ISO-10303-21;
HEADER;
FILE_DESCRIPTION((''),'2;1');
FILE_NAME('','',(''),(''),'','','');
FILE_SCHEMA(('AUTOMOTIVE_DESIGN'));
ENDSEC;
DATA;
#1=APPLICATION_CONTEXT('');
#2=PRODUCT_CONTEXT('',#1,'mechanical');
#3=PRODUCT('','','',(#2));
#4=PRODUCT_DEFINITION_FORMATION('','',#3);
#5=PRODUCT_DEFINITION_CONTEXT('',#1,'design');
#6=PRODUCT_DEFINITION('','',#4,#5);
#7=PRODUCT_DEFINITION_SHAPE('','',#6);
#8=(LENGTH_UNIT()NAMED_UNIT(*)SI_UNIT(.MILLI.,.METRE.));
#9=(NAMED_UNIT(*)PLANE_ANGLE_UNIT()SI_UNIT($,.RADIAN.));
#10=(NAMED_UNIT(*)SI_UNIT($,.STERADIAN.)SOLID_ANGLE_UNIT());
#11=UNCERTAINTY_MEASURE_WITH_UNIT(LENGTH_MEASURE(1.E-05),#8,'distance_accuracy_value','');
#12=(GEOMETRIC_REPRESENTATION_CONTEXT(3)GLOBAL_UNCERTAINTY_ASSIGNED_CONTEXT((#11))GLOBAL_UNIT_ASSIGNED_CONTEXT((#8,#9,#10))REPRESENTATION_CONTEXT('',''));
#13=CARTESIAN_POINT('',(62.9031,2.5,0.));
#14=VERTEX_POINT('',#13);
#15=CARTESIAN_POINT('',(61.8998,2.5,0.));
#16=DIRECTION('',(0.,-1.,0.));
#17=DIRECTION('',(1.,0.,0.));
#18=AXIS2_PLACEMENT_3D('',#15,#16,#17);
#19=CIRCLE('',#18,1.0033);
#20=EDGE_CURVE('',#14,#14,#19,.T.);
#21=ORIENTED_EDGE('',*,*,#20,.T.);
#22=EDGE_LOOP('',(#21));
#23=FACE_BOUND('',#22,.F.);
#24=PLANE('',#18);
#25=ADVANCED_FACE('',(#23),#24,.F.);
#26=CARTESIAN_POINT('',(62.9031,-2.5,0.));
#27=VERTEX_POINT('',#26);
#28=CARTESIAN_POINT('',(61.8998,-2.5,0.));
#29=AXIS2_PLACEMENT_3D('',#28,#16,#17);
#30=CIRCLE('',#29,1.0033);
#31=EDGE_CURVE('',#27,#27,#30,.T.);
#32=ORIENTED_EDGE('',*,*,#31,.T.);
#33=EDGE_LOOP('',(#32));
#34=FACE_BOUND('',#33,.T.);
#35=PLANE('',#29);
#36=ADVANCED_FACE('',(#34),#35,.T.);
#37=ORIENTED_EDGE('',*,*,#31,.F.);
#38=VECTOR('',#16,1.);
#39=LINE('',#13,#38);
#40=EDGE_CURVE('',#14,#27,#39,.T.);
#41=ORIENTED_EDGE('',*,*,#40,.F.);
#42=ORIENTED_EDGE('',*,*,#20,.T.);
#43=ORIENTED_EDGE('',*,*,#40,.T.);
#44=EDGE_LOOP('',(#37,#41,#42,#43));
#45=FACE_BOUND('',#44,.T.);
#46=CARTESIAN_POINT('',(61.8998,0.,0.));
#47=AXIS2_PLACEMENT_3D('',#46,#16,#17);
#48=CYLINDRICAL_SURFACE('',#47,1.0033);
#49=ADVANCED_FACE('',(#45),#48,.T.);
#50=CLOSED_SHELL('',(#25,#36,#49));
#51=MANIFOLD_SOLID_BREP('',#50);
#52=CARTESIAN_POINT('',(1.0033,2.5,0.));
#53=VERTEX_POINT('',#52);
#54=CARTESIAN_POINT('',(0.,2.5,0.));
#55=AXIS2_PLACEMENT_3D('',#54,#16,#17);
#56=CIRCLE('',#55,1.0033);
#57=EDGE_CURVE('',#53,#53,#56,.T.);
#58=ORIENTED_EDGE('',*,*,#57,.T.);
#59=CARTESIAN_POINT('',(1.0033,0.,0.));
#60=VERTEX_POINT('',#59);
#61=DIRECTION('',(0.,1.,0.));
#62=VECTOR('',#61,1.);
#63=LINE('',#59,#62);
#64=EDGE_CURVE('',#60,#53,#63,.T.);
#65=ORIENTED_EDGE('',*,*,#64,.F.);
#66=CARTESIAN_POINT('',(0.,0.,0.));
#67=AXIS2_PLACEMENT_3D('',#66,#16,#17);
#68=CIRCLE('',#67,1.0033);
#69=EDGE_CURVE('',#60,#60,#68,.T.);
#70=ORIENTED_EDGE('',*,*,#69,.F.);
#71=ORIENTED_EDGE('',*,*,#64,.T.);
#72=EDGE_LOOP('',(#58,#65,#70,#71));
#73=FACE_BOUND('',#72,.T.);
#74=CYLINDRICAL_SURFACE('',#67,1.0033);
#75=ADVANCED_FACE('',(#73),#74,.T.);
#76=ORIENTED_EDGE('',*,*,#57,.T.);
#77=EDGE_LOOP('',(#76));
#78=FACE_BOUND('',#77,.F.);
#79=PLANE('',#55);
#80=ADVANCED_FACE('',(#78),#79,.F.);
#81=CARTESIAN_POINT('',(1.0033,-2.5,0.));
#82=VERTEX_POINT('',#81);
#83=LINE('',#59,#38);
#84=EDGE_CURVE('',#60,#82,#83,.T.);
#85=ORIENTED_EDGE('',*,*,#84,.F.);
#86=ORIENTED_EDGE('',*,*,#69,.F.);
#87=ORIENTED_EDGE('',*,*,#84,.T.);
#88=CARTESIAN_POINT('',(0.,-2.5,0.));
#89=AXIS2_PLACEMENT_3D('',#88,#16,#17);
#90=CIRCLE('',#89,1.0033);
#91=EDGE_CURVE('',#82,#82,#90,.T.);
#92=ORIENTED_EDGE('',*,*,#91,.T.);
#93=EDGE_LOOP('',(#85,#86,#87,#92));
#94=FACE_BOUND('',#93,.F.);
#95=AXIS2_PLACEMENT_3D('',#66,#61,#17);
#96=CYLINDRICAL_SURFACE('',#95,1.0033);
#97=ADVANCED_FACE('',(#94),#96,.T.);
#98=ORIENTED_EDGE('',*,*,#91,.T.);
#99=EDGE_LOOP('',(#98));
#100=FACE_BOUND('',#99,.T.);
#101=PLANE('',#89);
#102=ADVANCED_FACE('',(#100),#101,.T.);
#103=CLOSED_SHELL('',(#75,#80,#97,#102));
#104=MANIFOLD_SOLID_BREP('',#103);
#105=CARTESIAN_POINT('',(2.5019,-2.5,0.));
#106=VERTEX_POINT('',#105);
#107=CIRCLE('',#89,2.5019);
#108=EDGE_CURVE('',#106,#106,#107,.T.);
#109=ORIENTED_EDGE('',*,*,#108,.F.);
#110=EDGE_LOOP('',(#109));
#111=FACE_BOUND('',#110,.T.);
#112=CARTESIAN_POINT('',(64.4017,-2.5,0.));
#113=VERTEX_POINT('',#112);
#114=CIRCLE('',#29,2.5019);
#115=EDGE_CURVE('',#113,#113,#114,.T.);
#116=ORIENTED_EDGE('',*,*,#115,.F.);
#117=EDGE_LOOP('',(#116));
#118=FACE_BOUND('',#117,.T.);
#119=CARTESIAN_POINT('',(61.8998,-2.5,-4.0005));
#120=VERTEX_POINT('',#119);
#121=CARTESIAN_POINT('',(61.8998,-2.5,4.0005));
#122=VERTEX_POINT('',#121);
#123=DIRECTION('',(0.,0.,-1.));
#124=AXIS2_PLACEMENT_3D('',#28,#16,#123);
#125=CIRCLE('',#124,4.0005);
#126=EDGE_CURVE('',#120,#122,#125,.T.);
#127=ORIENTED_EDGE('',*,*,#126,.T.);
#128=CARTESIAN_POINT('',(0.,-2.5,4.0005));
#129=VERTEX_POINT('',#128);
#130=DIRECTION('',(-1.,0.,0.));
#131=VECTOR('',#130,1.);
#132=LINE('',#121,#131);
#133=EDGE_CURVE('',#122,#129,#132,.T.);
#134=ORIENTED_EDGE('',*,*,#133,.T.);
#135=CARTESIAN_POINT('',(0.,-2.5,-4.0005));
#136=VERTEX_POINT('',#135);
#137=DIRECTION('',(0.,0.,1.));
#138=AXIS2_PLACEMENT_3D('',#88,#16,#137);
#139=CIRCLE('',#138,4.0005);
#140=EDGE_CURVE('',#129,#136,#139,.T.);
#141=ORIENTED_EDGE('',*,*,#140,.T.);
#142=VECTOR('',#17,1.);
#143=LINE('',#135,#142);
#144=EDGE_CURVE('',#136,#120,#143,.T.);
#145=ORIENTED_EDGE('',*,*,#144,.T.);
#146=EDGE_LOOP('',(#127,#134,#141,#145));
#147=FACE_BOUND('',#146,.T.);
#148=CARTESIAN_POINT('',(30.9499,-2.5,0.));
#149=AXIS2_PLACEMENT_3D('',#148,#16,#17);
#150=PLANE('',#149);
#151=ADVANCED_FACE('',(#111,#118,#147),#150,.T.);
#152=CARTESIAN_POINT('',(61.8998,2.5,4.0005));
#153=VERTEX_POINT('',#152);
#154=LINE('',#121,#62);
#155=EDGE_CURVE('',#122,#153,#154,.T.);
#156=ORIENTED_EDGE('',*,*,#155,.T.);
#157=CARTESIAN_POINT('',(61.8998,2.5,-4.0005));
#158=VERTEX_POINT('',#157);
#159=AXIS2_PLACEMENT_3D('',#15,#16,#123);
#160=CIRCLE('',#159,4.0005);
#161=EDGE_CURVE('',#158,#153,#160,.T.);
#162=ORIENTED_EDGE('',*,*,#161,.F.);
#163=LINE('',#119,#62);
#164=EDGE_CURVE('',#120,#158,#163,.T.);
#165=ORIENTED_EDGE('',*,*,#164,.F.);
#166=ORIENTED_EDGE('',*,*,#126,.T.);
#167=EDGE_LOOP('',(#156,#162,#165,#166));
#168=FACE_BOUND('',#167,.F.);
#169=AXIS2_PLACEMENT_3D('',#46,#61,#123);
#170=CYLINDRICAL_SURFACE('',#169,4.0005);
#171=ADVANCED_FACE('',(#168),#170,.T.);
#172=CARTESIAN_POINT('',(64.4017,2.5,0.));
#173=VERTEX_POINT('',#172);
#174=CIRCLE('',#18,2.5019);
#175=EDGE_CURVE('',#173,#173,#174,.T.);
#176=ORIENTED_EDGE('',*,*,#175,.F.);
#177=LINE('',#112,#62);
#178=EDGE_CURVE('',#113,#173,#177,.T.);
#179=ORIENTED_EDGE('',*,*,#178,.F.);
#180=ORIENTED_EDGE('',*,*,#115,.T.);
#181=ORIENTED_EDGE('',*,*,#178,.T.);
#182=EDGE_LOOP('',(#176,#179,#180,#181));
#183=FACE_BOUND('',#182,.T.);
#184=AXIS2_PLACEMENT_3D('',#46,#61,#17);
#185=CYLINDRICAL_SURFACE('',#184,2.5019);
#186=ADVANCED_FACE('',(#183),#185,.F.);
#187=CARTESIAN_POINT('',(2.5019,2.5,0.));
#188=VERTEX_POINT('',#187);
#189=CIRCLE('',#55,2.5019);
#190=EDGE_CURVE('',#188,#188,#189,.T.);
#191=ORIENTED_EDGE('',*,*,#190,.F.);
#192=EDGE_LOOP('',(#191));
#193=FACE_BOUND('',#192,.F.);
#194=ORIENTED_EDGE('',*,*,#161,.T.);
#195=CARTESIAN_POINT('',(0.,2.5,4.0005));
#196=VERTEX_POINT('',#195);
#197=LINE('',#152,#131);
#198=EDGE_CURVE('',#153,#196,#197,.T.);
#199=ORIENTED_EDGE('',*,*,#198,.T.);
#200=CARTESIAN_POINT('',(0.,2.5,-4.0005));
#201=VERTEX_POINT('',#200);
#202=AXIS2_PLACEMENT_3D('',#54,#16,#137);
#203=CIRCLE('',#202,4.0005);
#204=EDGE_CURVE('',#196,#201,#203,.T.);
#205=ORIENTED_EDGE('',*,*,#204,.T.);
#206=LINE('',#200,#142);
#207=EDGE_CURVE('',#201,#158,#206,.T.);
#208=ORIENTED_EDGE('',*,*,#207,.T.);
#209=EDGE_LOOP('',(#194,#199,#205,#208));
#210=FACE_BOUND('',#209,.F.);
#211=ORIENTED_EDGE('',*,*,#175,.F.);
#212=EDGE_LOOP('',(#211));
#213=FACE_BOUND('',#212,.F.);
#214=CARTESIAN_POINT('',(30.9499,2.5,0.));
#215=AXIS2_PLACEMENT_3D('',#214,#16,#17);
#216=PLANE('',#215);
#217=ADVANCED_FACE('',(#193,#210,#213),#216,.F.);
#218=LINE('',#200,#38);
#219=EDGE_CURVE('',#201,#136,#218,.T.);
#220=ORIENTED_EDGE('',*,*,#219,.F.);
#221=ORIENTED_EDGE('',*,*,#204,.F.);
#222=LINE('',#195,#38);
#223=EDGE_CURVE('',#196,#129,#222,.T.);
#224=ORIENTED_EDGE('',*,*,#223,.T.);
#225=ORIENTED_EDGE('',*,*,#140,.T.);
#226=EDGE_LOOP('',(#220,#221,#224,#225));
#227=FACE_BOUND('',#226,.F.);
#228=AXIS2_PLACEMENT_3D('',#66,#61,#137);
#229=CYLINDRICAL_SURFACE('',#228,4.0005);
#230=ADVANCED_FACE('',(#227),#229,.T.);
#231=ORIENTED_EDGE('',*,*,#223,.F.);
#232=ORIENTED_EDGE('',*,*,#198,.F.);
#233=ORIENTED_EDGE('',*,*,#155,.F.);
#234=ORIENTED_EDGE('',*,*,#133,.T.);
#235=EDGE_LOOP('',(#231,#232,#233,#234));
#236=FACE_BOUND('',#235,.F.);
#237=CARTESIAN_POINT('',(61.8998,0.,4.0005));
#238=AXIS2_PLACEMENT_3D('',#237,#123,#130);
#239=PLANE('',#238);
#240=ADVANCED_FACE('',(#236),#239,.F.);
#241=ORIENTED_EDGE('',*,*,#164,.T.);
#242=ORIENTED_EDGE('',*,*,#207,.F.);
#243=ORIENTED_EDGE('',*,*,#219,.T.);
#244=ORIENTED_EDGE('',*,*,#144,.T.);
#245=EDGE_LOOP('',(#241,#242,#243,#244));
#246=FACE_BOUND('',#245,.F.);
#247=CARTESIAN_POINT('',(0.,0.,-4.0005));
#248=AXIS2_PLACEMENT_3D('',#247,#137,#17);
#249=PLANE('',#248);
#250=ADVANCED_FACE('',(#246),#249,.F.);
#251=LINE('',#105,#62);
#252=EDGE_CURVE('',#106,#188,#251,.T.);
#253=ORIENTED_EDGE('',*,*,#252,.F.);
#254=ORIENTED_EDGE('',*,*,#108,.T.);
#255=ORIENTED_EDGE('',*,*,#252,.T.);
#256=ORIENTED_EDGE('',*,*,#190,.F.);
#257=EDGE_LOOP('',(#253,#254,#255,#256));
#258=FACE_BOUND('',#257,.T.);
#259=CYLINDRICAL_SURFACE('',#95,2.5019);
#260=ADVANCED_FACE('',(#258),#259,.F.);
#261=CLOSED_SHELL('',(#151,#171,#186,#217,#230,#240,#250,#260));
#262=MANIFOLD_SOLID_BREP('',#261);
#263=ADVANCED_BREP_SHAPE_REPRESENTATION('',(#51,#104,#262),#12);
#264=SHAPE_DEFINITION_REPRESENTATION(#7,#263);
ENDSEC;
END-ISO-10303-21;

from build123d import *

# Parameters (mm, degrees)
F0_R     = 2.5019
F0_R_2   = 1.0033
F1_DEPTH = 2.5


with BuildPart() as f1:
    # F0 (on Front) → F1 (new body, symmetric)
    with BuildSketch(Plane.XZ):
        with BuildLine():
            Line((61.8998, 4.0005), (0, 4.0005))
            ThreePointArc((0, 4.0005), (-4.0005, 0), (0, -4.0005))
            Line((0, -4.0005), (61.8998, -4.0005))
            ThreePointArc((61.8998, -4.0005), (65.9003, 0), (61.8998, 4.0005))
        make_face()
        Circle(F0_R, mode=Mode.SUBTRACT)
        with Locations((61.8998, 0)):
            Circle(F0_R, mode=Mode.SUBTRACT)
        Circle(F0_R_2)
        with Locations((61.8998, 0)):
            Circle(F0_R_2)
    extrude(amount=F1_DEPTH, both=True)


solid = f1.part
